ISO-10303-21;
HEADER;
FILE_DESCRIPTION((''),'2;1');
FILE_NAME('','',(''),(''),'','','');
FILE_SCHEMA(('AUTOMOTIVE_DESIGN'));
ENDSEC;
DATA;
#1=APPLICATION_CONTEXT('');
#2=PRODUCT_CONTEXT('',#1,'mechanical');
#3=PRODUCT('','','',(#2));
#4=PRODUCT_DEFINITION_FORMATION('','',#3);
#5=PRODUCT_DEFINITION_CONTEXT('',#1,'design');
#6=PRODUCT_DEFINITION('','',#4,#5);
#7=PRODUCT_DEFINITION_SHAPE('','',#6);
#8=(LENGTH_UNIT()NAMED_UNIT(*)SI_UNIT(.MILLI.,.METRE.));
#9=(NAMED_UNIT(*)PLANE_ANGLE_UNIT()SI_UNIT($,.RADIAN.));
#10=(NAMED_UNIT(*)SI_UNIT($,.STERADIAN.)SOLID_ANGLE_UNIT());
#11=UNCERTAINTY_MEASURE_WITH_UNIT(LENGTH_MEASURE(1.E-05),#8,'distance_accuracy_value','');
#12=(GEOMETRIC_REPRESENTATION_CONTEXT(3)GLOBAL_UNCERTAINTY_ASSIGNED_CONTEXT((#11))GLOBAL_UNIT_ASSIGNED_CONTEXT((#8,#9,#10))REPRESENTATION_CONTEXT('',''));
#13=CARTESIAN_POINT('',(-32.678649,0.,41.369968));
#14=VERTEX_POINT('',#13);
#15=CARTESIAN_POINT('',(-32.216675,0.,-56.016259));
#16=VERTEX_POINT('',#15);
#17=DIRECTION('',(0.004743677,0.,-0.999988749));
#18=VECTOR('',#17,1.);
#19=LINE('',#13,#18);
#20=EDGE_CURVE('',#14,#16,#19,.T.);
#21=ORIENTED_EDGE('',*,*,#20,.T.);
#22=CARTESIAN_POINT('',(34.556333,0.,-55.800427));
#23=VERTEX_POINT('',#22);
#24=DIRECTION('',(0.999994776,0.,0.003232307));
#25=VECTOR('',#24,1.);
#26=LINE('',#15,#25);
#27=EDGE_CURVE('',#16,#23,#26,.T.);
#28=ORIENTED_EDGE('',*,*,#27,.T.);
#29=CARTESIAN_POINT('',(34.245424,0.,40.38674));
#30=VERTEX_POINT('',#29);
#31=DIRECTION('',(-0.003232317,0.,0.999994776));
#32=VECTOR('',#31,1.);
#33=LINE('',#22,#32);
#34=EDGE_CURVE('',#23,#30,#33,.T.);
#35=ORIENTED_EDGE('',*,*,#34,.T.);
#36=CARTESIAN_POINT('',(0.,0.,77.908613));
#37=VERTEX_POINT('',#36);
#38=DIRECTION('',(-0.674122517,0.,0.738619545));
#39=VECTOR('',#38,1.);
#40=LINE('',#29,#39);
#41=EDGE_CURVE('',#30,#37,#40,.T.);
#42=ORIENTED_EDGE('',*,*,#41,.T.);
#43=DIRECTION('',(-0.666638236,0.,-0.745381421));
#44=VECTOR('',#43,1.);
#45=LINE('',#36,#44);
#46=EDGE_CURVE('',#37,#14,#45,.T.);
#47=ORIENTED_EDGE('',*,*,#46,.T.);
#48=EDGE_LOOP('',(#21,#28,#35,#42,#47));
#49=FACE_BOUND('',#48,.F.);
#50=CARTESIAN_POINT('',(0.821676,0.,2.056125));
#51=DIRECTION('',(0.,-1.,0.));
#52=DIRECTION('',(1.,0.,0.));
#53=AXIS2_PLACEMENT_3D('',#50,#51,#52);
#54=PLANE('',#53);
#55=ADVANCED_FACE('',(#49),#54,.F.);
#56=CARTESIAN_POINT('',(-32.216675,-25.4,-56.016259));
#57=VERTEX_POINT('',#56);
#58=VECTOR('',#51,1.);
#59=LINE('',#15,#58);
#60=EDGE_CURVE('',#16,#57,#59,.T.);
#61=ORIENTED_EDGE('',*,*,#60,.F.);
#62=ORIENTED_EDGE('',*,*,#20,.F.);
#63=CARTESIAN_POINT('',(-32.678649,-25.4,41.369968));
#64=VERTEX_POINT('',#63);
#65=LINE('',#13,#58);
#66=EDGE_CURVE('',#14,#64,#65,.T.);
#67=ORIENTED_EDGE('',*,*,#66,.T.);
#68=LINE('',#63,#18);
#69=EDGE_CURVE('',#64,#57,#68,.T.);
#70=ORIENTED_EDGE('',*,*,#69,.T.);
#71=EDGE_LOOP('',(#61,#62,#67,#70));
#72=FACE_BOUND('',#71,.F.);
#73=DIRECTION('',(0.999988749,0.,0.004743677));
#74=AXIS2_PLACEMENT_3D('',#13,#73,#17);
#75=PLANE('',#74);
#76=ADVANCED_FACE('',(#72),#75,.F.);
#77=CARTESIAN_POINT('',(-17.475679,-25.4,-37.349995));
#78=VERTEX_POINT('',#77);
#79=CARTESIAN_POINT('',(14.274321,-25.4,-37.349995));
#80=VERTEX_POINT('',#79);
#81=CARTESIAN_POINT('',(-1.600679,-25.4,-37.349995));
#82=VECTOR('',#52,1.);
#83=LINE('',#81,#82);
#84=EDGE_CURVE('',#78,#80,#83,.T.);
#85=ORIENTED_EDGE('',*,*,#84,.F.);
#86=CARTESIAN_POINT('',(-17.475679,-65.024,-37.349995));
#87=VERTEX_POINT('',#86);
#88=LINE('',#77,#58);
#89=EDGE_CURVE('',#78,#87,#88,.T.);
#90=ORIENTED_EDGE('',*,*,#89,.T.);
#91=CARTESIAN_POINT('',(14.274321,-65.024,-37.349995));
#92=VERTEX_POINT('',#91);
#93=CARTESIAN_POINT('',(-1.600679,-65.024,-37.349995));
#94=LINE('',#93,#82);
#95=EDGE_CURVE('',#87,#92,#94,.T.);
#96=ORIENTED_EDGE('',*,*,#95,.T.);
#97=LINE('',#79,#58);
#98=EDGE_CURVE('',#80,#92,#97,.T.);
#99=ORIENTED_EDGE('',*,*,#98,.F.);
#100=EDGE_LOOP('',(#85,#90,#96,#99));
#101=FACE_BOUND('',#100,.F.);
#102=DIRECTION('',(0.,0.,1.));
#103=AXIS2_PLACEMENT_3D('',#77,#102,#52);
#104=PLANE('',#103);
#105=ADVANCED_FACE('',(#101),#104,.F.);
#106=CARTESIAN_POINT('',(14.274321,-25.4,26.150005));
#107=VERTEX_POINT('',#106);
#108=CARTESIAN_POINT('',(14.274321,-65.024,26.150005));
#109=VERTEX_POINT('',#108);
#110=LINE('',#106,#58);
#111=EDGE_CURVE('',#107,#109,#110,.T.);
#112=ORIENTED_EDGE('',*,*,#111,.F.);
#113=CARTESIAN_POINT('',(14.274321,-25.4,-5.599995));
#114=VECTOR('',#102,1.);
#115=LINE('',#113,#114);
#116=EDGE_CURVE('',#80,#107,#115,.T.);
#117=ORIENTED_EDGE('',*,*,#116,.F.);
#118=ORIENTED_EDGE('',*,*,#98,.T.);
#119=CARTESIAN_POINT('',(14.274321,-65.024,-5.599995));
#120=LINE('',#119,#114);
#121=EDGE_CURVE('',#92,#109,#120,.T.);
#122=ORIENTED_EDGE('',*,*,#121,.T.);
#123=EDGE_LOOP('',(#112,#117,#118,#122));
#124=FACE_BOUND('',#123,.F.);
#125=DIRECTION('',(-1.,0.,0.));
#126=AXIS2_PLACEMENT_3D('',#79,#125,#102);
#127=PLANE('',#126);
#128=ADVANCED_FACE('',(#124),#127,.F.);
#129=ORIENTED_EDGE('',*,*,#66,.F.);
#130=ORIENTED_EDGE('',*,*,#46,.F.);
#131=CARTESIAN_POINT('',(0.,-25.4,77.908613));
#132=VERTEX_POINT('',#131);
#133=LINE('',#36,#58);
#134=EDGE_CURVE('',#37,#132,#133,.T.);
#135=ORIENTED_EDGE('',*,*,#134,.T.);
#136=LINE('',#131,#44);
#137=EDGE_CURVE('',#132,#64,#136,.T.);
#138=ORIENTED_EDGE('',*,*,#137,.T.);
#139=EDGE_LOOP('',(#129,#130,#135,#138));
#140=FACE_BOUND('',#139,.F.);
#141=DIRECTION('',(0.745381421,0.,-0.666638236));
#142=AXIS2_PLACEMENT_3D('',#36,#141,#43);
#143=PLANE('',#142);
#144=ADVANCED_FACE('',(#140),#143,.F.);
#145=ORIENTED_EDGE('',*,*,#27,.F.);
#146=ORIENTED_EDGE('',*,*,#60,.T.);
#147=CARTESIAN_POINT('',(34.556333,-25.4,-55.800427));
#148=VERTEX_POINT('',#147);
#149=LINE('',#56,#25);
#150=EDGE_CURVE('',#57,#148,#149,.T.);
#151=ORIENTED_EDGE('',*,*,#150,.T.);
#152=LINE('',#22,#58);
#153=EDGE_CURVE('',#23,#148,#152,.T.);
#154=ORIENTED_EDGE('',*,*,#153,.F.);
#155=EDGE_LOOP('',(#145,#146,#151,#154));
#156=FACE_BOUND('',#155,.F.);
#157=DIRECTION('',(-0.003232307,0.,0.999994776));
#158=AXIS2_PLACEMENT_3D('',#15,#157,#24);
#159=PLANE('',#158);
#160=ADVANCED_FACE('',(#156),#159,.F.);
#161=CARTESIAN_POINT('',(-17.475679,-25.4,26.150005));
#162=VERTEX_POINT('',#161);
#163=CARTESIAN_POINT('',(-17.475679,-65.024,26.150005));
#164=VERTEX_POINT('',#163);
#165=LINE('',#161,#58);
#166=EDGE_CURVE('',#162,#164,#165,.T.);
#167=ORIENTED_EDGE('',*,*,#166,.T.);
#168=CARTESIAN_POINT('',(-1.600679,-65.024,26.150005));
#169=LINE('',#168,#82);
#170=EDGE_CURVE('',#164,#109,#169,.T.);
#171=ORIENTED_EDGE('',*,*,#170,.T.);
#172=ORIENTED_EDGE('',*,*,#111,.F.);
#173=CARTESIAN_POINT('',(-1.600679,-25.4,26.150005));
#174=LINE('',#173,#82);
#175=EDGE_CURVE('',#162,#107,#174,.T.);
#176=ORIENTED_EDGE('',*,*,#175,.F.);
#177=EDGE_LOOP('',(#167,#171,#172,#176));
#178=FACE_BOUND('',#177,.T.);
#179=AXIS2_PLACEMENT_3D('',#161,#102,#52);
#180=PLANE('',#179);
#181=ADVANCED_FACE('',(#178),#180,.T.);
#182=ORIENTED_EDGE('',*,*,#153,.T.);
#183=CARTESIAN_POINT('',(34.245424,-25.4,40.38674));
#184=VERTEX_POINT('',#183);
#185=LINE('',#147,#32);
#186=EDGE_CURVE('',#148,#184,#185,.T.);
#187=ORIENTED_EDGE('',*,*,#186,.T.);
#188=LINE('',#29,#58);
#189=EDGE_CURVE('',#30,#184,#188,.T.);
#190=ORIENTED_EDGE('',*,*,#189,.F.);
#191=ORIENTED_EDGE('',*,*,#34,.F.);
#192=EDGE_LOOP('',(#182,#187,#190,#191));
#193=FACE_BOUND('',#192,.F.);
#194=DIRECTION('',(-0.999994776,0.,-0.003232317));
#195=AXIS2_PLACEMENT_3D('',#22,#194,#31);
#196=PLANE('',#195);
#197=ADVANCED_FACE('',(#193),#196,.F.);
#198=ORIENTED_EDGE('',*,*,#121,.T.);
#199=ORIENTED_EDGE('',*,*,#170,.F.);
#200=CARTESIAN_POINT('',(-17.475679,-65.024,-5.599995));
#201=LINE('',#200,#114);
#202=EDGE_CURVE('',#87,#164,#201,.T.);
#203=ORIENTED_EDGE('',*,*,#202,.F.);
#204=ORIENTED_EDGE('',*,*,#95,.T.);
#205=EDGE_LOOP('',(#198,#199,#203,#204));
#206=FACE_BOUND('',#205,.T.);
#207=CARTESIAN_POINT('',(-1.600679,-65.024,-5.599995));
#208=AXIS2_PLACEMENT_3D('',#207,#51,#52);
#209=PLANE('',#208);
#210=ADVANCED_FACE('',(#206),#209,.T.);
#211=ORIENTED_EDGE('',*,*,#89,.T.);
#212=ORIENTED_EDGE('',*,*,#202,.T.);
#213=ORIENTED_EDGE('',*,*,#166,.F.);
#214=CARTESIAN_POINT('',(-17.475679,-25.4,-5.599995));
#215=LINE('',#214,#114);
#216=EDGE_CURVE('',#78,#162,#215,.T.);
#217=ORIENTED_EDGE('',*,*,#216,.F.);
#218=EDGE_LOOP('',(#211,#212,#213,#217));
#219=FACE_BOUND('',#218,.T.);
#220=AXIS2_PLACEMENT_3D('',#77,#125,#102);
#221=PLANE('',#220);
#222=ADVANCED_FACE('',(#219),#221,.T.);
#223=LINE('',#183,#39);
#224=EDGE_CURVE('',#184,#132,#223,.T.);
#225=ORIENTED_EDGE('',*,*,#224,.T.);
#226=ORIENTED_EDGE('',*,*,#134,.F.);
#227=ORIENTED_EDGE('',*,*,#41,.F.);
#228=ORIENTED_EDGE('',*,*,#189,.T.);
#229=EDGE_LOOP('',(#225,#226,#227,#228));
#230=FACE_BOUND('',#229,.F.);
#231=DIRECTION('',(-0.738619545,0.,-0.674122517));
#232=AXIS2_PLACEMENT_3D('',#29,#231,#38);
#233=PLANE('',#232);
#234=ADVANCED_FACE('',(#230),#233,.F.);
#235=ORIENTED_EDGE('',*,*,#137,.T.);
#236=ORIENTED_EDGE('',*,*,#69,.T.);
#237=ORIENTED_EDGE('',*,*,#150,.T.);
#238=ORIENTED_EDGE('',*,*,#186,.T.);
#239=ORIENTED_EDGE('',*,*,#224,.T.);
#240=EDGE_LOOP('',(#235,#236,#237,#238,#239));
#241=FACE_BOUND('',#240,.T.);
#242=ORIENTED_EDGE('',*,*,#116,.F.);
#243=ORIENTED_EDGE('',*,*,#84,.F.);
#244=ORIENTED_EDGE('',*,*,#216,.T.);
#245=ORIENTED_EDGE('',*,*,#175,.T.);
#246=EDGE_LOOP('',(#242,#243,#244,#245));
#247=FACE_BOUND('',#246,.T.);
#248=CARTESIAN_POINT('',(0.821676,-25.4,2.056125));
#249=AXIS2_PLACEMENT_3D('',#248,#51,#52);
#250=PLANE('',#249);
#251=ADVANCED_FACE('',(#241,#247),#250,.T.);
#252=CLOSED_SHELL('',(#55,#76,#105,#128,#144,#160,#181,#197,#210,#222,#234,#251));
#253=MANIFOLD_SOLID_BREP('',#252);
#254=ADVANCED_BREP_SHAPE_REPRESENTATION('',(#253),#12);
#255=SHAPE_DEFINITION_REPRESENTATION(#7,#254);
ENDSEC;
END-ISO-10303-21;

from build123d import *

# Parameters (mm, degrees)
F1_DEPTH = 25.4
F2_W     = 31.75
F2_H     = 63.5
F3_DEPTH = 39.624


with BuildPart() as f1:
    # F0 (on Front) → F1 (new body)
    with BuildSketch(Plane.XZ):
        Polygon((-32.678649, 41.369968), (-32.216675, -56.016259), (34.556333, -55.800427), (34.245424, 40.38674), (0, 77.908613), align=None)
    extrude(amount=F1_DEPTH)

    # F2 (on face) → F3 (join)
    with BuildSketch(Plane.XZ.offset(25.4)):
        with Locations((-1.600679, -5.599995)):
            Rectangle(F2_W, F2_H)
    extrude(amount=F3_DEPTH)


solid = f1.part
